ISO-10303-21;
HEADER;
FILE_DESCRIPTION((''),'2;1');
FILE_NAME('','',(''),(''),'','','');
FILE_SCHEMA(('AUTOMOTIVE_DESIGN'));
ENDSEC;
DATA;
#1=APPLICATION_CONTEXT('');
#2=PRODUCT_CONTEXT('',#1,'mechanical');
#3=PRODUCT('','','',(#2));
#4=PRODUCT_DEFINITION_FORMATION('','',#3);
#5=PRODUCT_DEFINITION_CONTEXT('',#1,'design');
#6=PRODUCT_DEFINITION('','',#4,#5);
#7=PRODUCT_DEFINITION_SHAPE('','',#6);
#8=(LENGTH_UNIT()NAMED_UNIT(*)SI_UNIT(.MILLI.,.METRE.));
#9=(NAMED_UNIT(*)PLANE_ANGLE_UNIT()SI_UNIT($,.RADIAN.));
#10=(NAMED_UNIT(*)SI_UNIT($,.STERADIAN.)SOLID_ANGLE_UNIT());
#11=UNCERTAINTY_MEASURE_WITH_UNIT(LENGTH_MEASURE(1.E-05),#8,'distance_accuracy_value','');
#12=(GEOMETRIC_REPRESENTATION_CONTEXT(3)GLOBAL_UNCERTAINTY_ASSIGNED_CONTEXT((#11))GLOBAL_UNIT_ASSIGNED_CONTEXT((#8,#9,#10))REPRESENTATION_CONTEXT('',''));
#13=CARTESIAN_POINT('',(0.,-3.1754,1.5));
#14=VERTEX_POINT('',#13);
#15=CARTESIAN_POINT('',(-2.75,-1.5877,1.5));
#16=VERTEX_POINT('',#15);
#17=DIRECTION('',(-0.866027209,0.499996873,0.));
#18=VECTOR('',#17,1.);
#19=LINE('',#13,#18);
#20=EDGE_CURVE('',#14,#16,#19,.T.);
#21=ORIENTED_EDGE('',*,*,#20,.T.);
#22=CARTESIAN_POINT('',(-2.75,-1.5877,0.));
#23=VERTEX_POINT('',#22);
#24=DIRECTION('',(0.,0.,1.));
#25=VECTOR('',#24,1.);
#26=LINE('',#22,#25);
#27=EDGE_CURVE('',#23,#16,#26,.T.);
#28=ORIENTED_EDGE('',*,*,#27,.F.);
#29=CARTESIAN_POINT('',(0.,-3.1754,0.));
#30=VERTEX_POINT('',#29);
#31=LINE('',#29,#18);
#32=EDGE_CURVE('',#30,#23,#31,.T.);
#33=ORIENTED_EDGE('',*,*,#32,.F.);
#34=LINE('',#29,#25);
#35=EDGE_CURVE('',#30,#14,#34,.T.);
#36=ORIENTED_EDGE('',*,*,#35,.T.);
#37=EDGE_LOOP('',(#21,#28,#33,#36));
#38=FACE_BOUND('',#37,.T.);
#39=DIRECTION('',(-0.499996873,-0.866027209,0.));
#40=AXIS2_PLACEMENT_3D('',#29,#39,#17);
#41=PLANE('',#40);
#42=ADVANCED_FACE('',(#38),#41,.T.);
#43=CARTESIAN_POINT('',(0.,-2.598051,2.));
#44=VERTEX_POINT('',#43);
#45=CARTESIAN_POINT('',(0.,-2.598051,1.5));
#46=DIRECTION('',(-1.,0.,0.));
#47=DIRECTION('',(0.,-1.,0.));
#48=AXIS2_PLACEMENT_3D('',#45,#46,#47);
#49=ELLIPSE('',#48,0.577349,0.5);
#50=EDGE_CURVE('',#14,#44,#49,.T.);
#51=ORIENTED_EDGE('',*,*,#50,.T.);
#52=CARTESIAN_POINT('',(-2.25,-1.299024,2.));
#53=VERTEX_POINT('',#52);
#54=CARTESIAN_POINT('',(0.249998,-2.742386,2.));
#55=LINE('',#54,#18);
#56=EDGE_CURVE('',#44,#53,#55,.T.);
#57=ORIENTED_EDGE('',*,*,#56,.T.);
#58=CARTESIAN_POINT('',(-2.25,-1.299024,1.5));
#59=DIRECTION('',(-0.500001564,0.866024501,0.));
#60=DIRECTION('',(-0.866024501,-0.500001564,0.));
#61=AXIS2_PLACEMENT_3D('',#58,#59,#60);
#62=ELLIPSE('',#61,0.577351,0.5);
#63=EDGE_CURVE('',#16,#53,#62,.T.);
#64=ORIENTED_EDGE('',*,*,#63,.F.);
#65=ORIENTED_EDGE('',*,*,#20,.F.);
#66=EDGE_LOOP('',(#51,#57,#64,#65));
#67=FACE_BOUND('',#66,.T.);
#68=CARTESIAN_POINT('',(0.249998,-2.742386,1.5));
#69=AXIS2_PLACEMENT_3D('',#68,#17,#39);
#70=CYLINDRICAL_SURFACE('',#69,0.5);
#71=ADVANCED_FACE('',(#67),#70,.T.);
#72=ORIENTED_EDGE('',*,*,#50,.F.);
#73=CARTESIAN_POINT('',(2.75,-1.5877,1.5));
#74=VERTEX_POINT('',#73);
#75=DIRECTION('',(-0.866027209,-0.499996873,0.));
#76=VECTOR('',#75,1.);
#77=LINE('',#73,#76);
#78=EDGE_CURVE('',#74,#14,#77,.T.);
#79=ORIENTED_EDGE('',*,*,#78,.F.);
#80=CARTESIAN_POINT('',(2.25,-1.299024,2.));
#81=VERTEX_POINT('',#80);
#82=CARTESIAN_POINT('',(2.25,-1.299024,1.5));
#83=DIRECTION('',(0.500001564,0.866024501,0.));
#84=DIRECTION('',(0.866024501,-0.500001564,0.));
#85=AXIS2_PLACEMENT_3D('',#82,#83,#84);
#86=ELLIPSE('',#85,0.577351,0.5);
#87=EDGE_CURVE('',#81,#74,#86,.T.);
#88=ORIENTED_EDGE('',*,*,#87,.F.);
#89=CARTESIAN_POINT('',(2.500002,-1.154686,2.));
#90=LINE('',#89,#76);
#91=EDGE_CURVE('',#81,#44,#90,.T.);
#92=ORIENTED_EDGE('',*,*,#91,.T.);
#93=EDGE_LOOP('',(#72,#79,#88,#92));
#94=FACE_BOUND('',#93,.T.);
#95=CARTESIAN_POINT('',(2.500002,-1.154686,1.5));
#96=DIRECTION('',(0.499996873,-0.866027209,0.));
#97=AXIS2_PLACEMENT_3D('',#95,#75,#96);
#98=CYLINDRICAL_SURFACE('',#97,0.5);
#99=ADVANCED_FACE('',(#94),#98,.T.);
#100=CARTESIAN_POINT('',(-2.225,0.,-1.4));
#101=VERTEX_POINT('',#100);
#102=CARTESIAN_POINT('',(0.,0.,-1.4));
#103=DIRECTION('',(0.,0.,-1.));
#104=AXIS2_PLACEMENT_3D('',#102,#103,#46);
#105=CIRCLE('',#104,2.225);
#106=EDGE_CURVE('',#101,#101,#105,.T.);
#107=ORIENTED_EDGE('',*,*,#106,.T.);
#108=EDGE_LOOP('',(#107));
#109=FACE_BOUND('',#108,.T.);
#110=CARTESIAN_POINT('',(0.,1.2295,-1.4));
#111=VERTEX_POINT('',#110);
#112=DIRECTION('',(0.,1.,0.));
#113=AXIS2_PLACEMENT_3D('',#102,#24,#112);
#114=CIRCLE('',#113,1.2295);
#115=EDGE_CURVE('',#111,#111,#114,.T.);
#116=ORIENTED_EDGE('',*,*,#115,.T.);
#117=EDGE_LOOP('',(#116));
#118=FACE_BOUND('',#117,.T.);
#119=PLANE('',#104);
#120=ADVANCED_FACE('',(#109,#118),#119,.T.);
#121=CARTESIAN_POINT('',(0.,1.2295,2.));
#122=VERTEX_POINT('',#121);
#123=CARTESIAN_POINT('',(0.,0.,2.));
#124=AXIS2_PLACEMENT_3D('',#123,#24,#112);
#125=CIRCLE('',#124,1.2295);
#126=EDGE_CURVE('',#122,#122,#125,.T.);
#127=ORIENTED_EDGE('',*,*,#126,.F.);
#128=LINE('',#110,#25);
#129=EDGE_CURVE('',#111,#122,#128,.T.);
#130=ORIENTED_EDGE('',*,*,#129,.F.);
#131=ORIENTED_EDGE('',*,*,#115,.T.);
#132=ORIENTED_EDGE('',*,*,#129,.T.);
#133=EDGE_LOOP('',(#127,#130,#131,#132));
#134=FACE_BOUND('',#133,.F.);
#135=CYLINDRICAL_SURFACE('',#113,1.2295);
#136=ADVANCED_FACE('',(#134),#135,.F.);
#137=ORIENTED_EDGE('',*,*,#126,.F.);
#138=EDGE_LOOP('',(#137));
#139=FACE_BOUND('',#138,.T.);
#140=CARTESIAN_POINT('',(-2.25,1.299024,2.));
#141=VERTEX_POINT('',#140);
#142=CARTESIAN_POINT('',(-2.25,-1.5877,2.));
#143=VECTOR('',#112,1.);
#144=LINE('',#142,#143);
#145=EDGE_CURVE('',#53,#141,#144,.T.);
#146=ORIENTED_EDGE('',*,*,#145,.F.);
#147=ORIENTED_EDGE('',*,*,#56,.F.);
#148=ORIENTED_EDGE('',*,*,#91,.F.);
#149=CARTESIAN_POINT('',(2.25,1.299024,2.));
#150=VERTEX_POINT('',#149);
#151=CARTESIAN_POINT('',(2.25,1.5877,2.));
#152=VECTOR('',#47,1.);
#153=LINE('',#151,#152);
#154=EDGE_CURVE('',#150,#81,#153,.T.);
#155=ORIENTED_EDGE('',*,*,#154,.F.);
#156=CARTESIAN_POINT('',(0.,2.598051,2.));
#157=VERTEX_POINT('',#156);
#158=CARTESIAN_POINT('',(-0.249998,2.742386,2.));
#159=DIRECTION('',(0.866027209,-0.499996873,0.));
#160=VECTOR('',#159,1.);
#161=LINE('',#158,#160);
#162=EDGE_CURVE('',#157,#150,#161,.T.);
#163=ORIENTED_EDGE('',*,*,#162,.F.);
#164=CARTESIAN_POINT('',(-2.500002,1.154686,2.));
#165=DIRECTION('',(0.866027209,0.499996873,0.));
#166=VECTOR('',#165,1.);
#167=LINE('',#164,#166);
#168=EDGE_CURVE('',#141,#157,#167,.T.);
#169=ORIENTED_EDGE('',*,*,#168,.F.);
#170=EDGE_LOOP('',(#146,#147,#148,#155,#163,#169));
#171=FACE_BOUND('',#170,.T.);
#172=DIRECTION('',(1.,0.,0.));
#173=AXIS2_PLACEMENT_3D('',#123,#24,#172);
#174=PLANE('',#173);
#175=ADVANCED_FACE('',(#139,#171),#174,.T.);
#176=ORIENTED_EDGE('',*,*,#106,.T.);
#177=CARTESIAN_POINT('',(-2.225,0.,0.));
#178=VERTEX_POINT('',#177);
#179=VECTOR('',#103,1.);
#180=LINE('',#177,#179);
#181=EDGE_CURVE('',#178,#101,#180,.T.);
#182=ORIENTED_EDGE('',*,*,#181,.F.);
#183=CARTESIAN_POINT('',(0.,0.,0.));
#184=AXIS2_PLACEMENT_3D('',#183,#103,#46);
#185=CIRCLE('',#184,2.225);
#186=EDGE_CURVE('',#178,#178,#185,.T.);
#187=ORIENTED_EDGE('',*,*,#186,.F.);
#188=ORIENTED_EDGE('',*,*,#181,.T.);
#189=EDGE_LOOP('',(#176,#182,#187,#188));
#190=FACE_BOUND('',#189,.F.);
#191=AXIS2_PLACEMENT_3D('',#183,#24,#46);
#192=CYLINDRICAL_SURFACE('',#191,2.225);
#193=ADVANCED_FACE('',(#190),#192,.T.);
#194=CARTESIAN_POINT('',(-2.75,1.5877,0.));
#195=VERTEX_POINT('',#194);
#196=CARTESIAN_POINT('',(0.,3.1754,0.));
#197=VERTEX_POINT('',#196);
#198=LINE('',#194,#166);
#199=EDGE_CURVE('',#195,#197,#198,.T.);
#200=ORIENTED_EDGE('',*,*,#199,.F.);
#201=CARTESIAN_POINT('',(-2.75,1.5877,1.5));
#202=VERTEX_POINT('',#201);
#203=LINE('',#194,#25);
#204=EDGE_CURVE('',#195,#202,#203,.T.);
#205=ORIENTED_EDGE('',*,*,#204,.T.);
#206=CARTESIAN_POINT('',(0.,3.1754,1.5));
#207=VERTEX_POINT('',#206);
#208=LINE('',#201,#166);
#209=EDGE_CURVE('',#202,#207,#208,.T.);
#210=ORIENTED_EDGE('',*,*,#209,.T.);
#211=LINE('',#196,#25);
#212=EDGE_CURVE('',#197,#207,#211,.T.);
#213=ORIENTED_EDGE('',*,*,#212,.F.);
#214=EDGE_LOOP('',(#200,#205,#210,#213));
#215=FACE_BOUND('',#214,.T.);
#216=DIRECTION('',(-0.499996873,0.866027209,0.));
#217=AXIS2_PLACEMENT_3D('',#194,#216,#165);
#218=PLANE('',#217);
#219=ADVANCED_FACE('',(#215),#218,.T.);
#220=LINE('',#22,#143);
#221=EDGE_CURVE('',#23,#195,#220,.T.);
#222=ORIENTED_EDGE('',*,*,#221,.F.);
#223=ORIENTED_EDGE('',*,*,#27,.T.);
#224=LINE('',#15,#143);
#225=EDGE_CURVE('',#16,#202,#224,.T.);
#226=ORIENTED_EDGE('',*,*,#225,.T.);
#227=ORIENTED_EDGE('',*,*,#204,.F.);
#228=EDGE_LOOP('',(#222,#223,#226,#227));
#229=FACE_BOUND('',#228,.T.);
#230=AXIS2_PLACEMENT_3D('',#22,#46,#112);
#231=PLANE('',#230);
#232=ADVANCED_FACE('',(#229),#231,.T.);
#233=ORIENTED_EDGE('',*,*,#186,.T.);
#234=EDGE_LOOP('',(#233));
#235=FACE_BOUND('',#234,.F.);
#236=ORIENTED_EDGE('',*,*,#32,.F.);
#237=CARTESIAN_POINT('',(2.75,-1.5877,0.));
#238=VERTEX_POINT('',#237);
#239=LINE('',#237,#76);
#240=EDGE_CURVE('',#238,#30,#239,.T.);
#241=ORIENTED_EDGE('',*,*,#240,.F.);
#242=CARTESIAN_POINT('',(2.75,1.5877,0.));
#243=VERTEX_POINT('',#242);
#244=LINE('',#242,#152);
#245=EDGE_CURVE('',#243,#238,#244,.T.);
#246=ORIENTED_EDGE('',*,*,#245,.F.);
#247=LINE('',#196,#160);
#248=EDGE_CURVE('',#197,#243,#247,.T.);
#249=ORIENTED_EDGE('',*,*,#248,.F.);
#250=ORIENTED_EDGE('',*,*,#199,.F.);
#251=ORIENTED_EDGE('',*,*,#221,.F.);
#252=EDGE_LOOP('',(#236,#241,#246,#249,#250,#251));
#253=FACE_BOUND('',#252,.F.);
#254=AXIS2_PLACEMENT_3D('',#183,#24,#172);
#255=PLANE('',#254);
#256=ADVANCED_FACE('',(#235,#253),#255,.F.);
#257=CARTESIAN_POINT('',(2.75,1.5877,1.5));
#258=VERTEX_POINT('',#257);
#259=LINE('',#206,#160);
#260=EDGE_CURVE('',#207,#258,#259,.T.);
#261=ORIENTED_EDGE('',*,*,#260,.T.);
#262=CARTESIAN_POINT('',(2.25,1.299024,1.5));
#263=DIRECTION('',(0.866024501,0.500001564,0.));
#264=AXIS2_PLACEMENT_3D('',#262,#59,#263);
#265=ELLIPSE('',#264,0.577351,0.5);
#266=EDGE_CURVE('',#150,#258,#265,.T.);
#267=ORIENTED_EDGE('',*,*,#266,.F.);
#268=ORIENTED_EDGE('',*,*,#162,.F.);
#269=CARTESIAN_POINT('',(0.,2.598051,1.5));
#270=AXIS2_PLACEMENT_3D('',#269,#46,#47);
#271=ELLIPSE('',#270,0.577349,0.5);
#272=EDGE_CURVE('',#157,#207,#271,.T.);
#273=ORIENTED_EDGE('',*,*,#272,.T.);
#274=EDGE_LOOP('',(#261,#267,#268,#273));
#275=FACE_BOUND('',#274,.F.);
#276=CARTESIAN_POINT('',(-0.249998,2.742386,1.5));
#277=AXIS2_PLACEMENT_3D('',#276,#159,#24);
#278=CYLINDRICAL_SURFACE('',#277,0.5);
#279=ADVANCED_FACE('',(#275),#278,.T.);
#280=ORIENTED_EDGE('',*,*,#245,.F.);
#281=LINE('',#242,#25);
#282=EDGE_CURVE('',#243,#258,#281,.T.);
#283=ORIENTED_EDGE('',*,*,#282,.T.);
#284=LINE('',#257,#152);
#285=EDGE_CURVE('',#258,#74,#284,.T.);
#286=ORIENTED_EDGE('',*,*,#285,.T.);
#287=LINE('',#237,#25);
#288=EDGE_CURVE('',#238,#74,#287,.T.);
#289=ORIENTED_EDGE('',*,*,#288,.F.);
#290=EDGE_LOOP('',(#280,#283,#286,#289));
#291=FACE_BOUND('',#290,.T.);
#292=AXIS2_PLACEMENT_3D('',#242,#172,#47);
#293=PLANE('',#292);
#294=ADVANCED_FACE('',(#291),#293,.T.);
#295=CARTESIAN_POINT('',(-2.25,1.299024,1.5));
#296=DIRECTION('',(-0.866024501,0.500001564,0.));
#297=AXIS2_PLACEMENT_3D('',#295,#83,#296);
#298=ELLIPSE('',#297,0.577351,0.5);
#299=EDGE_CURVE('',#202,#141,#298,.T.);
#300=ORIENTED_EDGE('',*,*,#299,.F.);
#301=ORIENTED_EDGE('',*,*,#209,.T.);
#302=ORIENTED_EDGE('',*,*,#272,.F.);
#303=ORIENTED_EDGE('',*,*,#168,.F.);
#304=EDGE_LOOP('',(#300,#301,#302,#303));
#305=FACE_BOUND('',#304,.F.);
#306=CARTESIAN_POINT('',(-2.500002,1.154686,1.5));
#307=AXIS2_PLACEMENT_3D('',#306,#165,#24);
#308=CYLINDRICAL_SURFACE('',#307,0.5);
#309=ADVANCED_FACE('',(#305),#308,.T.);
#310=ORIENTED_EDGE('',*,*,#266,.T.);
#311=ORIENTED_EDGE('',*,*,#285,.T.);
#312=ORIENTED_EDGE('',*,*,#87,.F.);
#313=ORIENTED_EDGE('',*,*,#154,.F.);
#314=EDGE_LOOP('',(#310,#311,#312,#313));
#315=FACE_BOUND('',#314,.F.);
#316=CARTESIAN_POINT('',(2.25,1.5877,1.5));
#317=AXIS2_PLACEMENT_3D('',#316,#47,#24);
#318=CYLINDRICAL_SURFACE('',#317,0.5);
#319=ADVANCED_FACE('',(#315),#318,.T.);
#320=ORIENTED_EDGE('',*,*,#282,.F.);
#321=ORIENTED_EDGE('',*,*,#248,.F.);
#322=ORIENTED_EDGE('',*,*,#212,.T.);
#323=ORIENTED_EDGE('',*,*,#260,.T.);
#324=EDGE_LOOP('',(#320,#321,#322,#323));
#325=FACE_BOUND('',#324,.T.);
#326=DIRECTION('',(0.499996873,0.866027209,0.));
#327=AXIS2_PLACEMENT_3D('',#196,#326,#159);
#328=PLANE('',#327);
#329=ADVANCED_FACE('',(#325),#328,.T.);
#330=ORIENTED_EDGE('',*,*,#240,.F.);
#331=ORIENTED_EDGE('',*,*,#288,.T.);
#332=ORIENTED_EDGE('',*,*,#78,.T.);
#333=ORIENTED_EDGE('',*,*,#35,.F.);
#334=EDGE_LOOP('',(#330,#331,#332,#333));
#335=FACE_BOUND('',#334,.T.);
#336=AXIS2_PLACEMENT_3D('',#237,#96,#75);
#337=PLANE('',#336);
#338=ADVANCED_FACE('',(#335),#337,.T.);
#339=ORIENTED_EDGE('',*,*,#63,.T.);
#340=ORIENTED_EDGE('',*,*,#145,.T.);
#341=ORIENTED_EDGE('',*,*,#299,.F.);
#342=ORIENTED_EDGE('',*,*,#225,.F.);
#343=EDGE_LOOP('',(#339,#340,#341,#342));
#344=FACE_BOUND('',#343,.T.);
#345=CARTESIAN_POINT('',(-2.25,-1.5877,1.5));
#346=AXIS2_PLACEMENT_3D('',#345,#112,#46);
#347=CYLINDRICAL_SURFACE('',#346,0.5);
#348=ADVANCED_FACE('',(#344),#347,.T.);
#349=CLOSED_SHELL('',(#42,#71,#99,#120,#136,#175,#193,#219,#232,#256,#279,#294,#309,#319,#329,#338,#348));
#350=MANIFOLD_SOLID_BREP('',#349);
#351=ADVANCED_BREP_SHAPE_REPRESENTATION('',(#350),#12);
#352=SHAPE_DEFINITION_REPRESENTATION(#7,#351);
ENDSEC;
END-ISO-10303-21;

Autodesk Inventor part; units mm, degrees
ref_plane "YZ Plane" through (0, 0, 0) normal (1, 0, 0) x (0, 1, 0)
ref_plane "XZ Plane" through (0, 0, 0) normal (0, 1, 0) x (-1, 0, 0)
ref_plane "XY Plane" through (0, 0, 0) normal (0, 0, 1) x (1, 0, 0)
sketch "スケッチ1" plane through (0, 0, 0) normal (0, 0, 1) x (1, 0, 0)
  line L0 (0, -3.1754) -> (-2.75, -1.5877)
  line L1 (-2.75, -1.5877) -> (-2.75, 1.5877)
  line L2 (-2.75, 1.5877) -> (0, 3.1754)
  line L3 (0, 3.1754) -> (2.75, 1.5877)
  line L4 (2.75, 1.5877) -> (2.75, -1.5877)
  line L5 (2.75, -1.5877) -> (0, -3.1754)
  point P0 (0, 0)
  point P1 (0, 0)
  dimension "d0" = 5.5
extrude "押し出し1" add sketch "スケッチ1" along normal blind 2
sketch "スケッチ2" plane through (0, 0, 0) normal (0, 0, -1) x (-1, 0, 0)
  circle A0 centre (0, 0) radius 2.225
  dimension "d3" = 4.45
extrude "押し出し2" add sketch "スケッチ2" along normal blind 1.4
sketch "スケッチ3" plane through (0, 0, -1.4) normal (0, 0, -1) x (-1, 0, 0)
  point P0 (0, 0)
hole "穴1" at (0, 0, -1.4) direction (0, 0, 1) diameter 2.459 end through all thread size "M3x0.5" class "6H" standard "ISO Metric profile"
fillet "フィレット1" radius 0.5 6 edges at (1.375, 2.3816, 2) (2.75, 0, 2) (1.375, -2.3816, 2) (-1.375, -2.3816, 2) (-2.75, 0, 2) (-1.375, 2.3816, 2)
properties part number "BOB-M3-2-3W"
